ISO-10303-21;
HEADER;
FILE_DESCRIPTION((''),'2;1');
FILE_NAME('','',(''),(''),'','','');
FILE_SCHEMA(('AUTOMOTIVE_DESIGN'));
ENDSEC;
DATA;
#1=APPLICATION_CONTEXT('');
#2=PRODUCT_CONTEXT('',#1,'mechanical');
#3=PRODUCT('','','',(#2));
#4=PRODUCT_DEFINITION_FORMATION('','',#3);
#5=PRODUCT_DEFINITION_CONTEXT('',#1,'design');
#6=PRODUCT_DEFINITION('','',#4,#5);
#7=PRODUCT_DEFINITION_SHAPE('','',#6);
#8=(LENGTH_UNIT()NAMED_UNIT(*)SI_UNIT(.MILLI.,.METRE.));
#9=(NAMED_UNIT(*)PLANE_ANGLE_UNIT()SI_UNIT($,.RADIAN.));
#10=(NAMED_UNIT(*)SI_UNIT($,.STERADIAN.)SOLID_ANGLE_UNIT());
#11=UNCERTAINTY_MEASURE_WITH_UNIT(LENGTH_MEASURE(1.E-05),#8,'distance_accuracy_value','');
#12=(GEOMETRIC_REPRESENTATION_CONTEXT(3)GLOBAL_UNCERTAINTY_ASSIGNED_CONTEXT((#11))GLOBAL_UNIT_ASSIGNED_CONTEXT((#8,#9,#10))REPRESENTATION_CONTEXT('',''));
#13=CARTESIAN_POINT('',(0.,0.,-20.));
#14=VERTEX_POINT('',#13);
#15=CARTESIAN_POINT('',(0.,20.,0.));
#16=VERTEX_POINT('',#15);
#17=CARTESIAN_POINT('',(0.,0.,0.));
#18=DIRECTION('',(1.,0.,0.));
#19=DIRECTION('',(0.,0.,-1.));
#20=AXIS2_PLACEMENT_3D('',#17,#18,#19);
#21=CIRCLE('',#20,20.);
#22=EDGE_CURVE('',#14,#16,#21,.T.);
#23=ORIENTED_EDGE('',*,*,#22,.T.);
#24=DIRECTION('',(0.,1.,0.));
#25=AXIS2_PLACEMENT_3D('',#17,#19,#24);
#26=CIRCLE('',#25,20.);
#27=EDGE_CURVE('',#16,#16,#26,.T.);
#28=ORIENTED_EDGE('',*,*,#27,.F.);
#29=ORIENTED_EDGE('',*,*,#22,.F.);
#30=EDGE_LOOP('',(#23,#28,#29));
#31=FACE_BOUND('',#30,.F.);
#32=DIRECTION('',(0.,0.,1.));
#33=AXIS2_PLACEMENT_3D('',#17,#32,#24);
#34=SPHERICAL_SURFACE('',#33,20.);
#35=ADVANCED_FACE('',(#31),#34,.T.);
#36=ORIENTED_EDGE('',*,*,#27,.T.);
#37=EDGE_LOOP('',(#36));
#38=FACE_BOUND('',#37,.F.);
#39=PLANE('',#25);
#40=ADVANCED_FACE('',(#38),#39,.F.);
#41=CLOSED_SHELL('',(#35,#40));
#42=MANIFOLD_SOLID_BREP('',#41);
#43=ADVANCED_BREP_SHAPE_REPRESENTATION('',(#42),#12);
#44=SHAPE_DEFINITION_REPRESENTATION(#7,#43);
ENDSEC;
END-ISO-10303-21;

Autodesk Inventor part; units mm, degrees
ref_plane "YZ Plane" through (0, 0, 0) normal (1, 0, 0) x (0, 1, 0)
ref_plane "XZ Plane" through (0, 0, 0) normal (0, 1, 0) x (-1, 0, 0)
ref_plane "XY Plane" through (0, 0, 0) normal (0, 0, 1) x (1, 0, 0)
sketch "スケッチ1" plane through (0, 0, 0) normal (1, 0, 0) x (0, 1, 0)
  arc A0 (0, -20) -> (20, 0) centre (0, 0) ccw
  line L0 (0, 0) -> (0, -20)
  line L1 (20, 0) -> (0, 0)
  dimension "d0" = 20
revolve "回転1" add sketch "スケッチ1" angle 360 about axis through (0, 0, 0) along (0, 0, -1)
properties part number "link_heel2end"
